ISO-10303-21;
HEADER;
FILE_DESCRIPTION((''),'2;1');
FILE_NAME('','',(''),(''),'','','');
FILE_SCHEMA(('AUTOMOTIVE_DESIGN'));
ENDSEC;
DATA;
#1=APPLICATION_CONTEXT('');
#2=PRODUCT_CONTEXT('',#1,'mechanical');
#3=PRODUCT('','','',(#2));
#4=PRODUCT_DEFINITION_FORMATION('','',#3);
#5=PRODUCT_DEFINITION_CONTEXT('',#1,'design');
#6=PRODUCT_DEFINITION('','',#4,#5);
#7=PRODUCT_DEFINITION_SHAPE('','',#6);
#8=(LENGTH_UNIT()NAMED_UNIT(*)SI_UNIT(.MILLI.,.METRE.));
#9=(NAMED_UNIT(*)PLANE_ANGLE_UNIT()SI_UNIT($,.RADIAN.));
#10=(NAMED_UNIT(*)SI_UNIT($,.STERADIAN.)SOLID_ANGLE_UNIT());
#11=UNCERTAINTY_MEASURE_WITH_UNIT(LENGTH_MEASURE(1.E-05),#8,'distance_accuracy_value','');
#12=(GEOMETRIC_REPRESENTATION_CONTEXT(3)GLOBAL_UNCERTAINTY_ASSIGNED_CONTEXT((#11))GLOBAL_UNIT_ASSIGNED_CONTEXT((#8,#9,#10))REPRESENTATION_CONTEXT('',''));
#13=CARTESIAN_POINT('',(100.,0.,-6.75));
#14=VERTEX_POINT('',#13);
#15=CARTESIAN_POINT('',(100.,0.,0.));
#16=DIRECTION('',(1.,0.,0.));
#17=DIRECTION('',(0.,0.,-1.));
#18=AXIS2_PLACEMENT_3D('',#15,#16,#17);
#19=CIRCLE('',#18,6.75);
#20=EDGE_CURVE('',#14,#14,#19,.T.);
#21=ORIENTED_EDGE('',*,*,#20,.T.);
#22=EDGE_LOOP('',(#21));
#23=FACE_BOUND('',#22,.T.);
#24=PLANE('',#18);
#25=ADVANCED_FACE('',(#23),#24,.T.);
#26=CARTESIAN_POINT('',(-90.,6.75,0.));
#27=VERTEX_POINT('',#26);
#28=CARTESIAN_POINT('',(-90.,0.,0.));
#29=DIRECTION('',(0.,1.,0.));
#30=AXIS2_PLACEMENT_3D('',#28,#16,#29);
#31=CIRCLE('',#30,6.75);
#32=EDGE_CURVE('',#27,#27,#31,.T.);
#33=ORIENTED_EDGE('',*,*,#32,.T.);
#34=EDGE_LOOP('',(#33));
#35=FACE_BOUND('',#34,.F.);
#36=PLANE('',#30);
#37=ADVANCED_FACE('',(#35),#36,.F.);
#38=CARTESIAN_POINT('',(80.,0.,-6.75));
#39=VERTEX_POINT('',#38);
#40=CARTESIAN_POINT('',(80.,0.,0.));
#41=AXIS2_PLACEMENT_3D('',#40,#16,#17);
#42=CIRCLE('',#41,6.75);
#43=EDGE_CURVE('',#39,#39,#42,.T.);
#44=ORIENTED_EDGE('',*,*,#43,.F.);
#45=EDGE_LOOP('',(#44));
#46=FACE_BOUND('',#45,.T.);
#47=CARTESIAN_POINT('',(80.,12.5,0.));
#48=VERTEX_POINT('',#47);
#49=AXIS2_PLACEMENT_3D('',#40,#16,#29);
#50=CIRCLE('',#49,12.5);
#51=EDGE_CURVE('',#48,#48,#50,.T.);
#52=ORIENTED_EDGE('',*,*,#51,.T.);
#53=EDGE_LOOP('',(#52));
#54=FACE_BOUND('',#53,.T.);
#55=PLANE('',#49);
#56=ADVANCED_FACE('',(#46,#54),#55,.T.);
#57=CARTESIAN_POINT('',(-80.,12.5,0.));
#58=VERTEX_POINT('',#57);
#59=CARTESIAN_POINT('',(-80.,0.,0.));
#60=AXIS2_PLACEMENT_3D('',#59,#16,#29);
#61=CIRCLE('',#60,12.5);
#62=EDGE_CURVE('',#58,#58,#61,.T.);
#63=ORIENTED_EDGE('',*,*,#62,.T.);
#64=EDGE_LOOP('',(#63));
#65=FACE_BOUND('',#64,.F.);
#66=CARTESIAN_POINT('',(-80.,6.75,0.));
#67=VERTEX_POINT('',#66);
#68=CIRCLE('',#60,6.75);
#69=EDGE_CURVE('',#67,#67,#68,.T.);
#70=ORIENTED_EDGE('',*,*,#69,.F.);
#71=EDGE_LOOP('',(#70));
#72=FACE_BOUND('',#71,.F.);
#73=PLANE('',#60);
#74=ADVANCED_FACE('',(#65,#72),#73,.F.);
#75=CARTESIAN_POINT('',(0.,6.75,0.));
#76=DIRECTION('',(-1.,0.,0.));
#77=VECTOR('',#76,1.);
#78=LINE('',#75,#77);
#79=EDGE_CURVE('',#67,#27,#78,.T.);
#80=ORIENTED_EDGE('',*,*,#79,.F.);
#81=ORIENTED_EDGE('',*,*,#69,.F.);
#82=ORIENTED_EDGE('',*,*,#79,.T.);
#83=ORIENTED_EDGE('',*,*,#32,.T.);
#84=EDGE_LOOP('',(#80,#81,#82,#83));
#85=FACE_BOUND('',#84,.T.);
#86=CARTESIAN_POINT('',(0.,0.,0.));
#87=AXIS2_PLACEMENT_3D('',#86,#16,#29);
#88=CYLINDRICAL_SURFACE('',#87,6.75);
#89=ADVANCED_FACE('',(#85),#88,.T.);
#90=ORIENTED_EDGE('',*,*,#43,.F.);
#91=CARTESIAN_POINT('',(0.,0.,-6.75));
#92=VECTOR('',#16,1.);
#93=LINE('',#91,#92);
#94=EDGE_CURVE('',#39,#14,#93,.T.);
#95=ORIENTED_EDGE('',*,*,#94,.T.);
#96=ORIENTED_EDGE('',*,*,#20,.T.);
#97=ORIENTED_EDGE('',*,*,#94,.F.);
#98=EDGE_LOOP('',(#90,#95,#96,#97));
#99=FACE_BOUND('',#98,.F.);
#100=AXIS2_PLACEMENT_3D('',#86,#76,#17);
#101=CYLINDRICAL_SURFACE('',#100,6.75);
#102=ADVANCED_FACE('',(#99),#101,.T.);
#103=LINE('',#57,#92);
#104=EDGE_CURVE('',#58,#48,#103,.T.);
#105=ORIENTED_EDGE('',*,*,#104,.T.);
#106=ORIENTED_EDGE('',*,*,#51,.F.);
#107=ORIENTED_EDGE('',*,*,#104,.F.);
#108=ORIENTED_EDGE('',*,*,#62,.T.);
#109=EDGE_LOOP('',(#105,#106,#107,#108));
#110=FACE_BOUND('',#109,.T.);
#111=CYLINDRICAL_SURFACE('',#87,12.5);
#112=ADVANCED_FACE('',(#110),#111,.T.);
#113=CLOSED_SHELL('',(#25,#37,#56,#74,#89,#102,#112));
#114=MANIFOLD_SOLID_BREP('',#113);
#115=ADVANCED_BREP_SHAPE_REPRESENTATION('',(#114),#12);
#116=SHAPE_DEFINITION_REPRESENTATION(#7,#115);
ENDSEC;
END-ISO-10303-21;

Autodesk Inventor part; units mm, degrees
ref_plane "YZ Plane" through (0, 0, 0) normal (1, 0, 0) x (0, 1, 0)
ref_plane "XZ Plane" through (0, 0, 0) normal (0, 1, 0) x (-1, 0, 0)
ref_plane "XY Plane" through (0, 0, 0) normal (0, 0, 1) x (1, 0, 0)
sketch "Boceto1" plane through (0, 0, 0) normal (1, 0, 0) x (0, 1, 0)
  circle A0 centre (0, 0) radius 12.5
  circle A1 centre (0, 0) radius 6.75
  dimension "d0" = 25
  dimension "d1" = 13.5
extrude "Extrusión1" add sketch "Boceto1" against normal blind 90 contours A1
extrude "Extrusión2" add sketch "Boceto1" along normal mid plane 160
sketch "Boceto2" plane through (0, 0, 0) normal (1, 0, 0) x (0, 0, -1)
  circle A0 centre (0, 0) radius 6.75
  dimension "d6" = 13.5
extrude "Extrusión3" add sketch "Boceto2" along normal blind 100
properties part number "eje" material "Acero, no aleado"
